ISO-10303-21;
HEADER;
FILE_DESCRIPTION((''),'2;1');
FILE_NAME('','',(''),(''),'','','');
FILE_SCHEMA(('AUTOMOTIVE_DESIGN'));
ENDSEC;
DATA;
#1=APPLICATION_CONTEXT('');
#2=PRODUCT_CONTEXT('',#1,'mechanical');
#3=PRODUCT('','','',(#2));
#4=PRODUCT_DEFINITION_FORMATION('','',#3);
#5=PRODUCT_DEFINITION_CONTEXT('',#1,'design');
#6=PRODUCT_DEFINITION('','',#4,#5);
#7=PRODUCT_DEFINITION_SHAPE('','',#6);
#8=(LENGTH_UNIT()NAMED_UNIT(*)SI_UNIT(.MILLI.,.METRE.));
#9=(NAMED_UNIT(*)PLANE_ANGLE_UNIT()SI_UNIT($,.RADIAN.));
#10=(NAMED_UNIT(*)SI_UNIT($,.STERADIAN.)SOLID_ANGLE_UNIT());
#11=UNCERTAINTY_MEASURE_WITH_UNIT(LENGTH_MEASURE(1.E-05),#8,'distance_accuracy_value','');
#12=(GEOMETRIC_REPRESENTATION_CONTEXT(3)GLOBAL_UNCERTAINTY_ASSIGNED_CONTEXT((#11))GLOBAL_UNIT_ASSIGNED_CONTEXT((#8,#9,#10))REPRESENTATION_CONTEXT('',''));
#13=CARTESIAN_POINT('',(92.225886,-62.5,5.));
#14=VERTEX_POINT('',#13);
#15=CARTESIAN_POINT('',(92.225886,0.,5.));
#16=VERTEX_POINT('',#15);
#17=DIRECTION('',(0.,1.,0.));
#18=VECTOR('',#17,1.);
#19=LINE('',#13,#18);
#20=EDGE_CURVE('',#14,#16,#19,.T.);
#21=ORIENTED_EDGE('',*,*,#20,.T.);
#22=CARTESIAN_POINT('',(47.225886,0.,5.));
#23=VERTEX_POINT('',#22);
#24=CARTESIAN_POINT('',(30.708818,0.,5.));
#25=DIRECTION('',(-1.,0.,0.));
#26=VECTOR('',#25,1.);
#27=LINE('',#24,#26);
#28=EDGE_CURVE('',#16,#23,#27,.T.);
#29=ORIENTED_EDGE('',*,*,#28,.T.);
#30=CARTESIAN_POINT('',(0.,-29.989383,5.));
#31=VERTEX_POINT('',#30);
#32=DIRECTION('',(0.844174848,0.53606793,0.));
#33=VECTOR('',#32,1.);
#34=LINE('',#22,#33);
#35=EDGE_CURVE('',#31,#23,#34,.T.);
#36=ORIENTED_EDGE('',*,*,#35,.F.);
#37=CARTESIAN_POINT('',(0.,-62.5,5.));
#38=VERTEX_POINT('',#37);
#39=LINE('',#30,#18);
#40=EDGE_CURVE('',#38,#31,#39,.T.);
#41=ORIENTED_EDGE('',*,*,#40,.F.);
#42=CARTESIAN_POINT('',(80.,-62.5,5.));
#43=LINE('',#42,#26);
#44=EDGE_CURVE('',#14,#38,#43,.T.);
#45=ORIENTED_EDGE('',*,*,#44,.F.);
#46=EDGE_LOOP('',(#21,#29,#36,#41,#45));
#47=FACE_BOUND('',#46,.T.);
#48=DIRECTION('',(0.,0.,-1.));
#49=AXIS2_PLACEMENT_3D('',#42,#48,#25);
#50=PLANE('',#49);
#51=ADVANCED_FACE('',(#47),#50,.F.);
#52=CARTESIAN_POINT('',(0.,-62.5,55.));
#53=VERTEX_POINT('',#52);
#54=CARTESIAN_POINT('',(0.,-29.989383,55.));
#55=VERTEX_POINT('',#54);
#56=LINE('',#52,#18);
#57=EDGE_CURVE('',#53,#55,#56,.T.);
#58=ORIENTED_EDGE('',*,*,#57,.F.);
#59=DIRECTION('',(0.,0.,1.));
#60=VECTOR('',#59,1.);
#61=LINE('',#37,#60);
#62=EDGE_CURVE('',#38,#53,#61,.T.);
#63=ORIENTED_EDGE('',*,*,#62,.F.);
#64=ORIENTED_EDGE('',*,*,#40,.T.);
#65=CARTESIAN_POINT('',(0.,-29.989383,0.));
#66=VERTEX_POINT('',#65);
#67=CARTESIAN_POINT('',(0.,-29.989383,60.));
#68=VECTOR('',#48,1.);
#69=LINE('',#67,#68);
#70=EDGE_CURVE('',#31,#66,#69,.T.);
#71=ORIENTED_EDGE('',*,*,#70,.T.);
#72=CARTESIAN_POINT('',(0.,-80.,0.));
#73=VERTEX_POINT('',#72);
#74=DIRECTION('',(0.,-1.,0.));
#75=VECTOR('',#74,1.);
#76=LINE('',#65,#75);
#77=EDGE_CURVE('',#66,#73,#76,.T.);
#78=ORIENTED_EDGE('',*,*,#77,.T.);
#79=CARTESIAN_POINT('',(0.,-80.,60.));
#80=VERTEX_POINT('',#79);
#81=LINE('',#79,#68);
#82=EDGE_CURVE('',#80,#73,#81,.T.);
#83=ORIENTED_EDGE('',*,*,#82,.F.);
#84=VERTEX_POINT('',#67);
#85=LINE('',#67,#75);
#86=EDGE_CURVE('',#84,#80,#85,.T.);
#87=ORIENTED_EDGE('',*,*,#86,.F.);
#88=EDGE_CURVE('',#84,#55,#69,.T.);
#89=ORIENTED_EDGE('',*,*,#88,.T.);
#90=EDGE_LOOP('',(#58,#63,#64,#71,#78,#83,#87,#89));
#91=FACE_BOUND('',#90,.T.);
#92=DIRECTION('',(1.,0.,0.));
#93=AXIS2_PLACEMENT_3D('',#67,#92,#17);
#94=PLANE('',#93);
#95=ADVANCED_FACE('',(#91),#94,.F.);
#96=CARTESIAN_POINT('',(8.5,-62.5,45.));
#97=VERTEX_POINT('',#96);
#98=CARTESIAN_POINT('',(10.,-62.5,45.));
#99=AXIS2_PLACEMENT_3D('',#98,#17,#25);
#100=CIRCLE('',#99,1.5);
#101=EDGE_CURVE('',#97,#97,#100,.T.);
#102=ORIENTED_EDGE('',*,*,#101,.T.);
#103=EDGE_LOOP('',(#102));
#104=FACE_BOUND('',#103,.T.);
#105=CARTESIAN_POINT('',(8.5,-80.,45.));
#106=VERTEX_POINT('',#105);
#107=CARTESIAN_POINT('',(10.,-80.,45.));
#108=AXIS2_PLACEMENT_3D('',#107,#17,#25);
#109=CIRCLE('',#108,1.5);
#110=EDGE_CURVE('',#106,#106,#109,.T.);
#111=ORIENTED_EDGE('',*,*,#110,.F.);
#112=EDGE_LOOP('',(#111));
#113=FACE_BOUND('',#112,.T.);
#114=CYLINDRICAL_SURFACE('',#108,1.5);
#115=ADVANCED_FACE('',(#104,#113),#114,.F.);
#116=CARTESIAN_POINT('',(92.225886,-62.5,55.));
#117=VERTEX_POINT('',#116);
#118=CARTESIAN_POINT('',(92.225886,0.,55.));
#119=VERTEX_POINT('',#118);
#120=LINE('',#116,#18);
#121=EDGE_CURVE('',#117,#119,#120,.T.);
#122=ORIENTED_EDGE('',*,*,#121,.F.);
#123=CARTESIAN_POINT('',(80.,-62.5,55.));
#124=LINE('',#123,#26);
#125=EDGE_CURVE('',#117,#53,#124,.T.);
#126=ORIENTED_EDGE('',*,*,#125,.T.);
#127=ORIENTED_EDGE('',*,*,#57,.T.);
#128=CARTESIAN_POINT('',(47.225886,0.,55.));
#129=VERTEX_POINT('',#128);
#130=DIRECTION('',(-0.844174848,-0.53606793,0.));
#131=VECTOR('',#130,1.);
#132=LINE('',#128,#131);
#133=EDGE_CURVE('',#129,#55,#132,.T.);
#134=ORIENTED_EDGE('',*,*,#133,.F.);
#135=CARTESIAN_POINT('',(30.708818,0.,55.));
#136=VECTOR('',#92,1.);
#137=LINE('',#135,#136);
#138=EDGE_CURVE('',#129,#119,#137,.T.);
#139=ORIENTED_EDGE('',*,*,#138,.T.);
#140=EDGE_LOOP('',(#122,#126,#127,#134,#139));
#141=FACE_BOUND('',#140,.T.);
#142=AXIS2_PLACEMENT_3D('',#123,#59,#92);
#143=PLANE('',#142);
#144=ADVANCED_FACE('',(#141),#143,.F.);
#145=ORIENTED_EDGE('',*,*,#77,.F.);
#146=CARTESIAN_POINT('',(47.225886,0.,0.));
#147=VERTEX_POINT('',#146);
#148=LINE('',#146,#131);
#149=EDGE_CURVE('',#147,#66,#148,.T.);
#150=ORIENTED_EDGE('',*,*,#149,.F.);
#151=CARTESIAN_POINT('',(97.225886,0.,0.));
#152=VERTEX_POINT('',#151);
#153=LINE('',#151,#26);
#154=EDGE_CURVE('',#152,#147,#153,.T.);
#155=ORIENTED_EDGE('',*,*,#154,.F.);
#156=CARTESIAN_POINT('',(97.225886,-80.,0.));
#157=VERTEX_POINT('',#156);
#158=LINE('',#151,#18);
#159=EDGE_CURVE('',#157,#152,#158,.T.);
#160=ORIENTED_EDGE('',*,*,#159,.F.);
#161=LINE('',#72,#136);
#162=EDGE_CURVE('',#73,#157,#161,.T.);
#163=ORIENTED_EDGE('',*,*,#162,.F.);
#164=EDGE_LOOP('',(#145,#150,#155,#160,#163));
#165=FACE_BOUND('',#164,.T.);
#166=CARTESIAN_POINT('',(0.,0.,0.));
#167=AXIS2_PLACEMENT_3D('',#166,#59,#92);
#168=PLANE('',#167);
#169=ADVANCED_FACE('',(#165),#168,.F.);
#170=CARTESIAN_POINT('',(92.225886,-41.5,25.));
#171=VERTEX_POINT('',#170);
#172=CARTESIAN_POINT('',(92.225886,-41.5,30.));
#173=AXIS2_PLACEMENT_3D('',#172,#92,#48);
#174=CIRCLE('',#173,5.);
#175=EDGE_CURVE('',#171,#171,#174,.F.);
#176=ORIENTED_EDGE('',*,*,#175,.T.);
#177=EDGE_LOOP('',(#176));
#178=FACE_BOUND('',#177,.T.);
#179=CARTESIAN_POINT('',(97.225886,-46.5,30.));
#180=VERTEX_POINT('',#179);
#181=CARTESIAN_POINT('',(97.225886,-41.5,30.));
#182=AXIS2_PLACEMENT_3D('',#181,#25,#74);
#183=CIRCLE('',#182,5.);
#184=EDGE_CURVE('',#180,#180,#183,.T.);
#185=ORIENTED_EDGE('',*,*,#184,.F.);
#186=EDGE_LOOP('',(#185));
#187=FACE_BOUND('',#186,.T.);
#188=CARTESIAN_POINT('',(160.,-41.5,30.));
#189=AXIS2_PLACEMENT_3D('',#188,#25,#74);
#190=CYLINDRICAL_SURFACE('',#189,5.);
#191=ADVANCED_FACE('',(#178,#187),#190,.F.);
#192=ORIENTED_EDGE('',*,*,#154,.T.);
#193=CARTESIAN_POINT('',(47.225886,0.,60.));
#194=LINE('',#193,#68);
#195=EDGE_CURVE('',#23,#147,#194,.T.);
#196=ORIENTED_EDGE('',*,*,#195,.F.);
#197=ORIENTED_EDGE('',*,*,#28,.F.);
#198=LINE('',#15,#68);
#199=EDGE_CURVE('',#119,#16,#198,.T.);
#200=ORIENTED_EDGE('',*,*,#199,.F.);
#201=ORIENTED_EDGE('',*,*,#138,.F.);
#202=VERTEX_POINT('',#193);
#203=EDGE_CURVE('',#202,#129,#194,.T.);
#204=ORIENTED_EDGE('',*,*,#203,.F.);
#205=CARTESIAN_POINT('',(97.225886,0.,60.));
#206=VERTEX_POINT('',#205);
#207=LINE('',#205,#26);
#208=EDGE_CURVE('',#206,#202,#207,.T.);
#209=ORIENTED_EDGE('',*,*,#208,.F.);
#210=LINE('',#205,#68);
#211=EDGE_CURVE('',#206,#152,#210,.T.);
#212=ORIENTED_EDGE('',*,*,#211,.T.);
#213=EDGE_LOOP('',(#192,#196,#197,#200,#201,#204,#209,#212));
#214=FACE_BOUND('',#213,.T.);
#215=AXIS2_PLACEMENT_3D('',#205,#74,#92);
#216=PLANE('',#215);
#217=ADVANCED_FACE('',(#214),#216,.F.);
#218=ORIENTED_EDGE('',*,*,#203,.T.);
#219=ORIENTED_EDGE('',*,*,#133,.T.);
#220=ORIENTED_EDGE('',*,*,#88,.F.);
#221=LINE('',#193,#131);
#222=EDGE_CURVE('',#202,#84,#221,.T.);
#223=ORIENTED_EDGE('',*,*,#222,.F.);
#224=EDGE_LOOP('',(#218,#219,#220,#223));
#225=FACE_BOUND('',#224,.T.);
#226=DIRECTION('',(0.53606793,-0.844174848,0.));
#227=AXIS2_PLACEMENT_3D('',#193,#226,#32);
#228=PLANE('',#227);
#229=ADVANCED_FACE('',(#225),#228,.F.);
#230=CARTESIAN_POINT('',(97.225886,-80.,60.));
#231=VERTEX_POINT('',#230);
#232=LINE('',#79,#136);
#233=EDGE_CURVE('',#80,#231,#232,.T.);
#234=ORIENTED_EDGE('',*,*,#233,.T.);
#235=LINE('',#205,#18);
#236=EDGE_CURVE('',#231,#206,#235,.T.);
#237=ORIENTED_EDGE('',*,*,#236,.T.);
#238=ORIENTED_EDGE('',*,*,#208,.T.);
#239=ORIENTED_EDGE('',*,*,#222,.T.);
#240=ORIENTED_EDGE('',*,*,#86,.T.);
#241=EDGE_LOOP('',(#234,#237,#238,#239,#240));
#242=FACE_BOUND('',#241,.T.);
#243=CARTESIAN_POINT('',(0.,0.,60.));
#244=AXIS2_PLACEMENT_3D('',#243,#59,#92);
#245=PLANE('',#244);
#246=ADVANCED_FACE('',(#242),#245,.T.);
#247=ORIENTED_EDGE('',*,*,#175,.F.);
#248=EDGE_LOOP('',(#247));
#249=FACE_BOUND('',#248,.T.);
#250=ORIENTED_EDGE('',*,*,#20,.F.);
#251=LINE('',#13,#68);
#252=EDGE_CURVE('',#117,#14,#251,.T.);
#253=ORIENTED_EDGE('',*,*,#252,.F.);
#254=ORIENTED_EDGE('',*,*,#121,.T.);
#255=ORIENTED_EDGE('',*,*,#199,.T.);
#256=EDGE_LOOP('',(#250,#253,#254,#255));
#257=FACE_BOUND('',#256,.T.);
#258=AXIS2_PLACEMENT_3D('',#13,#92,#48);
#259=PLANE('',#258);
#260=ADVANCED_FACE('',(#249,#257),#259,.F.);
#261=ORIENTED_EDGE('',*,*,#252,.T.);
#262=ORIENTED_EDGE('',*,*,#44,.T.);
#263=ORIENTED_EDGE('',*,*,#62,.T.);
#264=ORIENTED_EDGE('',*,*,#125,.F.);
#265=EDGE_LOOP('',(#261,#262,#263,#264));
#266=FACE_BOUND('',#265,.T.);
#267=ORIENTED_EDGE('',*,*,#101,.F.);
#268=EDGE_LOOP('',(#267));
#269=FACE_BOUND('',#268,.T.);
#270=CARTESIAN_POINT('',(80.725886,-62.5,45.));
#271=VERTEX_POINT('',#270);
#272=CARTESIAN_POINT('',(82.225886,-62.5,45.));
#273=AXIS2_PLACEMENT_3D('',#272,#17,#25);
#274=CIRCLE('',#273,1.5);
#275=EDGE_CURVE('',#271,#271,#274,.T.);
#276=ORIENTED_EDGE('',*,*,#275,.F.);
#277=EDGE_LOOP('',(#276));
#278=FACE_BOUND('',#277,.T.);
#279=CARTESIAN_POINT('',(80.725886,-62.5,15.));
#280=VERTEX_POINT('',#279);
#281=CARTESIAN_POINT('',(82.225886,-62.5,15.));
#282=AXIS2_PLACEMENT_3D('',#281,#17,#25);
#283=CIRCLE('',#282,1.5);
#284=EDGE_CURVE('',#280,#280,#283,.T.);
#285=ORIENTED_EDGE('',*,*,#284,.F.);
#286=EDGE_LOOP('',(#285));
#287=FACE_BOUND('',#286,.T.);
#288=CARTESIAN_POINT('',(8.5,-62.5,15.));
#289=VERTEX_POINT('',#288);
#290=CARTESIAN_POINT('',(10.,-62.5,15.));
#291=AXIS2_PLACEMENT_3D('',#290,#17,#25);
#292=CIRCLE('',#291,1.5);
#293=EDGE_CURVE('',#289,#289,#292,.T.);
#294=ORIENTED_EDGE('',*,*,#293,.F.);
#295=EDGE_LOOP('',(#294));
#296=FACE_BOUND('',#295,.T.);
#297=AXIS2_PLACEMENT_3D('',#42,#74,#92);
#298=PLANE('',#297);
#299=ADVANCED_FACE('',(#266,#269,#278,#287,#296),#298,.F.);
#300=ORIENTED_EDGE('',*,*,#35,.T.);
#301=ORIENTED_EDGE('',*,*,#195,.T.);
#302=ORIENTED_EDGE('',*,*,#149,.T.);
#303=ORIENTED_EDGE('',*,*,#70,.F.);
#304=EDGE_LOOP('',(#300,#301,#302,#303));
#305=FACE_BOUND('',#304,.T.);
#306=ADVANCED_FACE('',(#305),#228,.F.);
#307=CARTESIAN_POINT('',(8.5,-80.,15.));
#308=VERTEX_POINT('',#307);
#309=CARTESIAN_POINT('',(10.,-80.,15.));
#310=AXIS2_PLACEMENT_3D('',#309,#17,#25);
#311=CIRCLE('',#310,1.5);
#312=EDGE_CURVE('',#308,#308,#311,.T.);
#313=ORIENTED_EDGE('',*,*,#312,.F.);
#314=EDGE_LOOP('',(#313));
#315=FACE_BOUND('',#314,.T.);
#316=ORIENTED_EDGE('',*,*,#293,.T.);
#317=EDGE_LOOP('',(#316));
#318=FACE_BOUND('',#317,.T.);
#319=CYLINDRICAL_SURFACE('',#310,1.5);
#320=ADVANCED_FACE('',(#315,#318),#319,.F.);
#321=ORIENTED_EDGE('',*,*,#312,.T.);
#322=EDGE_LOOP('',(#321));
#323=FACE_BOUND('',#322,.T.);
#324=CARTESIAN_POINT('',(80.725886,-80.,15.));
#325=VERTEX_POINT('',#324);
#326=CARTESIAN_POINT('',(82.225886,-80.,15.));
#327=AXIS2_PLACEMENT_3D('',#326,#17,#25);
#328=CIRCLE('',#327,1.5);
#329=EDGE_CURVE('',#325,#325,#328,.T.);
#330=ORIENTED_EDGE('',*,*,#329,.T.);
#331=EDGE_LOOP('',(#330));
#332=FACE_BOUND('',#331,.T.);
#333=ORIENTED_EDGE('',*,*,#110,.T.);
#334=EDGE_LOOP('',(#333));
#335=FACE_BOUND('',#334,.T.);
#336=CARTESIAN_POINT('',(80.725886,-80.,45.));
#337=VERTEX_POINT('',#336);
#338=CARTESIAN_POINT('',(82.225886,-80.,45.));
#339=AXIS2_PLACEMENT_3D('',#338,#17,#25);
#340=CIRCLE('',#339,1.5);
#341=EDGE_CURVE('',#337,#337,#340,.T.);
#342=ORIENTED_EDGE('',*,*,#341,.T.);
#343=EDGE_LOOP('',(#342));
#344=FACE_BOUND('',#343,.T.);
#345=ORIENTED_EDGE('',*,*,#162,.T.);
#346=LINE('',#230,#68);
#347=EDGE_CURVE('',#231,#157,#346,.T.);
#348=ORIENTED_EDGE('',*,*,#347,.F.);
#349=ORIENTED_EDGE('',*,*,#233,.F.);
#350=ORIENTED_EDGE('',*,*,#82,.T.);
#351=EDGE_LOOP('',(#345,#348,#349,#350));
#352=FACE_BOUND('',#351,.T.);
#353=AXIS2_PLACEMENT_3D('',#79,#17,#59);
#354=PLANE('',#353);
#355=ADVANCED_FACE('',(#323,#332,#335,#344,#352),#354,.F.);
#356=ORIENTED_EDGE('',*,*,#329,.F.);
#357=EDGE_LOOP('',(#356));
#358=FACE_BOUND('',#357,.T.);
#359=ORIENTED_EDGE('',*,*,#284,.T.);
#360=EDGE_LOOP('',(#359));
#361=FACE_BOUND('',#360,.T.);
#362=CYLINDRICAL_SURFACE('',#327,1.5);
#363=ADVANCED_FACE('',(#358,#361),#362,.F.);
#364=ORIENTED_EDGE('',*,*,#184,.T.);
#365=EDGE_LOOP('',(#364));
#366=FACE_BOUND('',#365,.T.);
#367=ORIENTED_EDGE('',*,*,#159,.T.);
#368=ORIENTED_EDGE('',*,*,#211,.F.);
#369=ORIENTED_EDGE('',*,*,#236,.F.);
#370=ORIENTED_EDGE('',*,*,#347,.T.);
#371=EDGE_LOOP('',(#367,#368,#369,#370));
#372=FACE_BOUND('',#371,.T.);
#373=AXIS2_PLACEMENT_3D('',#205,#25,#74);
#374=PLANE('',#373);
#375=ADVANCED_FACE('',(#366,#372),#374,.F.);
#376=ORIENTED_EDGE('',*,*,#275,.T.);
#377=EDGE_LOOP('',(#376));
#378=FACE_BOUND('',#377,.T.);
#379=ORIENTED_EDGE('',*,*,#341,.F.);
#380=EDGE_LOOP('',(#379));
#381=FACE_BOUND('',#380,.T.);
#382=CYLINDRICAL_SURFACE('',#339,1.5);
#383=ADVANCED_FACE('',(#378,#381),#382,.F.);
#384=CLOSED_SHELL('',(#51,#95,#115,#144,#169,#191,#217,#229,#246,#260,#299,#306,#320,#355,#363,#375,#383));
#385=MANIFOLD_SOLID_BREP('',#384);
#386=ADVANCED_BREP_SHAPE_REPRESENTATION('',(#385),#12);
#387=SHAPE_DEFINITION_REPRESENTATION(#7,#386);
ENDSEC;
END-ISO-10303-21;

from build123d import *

# Parameters (mm, degrees)
BOSS_EXTRUDE1_DEPTH = 60
SKETCH3_W           = 50
SKETCH3_H           = 57.5
CUT_EXTRUDE6_DEPTH  = 80
SKETCH9_R           = 5
CUT_EXTRUDE7_DEPTH  = 80
SKETCH10_W          = 61.517068372
SKETCH10_H          = 50
CUT_EXTRUDE8_DEPTH  = 62.5
SKETCH13_R          = 1.5
CUT_EXTRUDE9_DEPTH  = 131.227197428


with BuildPart() as part:
    # Sketch1 → Boss-Extrude1 (new body)
    with BuildSketch(Plane.XY):
        Polygon((97.225886213, 0), (47.225886213, 0), (0, -29.989383259), (0, -80), (97.225886213, -80), align=None)
    extrude(amount=BOSS_EXTRUDE1_DEPTH)

    # Sketch3 → Cut-Extrude6 (cut)
    with BuildSketch(Plane.ZY):
        with Locations((30, -33.75)):
            Rectangle(SKETCH3_W, SKETCH3_H)
    extrude(amount=-CUT_EXTRUDE6_DEPTH, mode=Mode.SUBTRACT)

    # Sketch9 → Cut-Extrude7 (cut)
    with BuildSketch(Plane.ZY.offset(-80)):
        with Locations(Location((30, -41.5, 0), (0, 0, 270))):
            Circle(SKETCH9_R)
    extrude(amount=-CUT_EXTRUDE7_DEPTH, mode=Mode.SUBTRACT)

    # Sketch10 → Cut-Extrude8 (cut)
    with BuildSketch(Plane(origin=(0, 0, 0), x_dir=(1, 0, 0), z_dir=(0, 1, 0))):
        with Locations((61.467352027, -30)):
            Rectangle(SKETCH10_W, SKETCH10_H)
    extrude(amount=-CUT_EXTRUDE8_DEPTH, mode=Mode.SUBTRACT)

    # Sketch13 → Cut-Extrude9 (cut, through all)
    with BuildSketch(Plane(origin=(0, -62.5, 0), x_dir=(1, 0, 0), z_dir=(0, 1, 0))):
        with Locations(Location((10, -15, 0), (0, 0, 180))):
            Circle(SKETCH13_R)
        with Locations(Location((82.225886213, -15, 0), (0, 0, 180))):
            Circle(SKETCH13_R)
        with Locations(Location((10, -45, 0), (0, 0, 180))):
            Circle(SKETCH13_R)
        with Locations(Location((82.225886213, -45, 0), (0, 0, 180))):
            Circle(SKETCH13_R)
    extrude(amount=-CUT_EXTRUDE9_DEPTH, mode=Mode.SUBTRACT)


solid = part.part
